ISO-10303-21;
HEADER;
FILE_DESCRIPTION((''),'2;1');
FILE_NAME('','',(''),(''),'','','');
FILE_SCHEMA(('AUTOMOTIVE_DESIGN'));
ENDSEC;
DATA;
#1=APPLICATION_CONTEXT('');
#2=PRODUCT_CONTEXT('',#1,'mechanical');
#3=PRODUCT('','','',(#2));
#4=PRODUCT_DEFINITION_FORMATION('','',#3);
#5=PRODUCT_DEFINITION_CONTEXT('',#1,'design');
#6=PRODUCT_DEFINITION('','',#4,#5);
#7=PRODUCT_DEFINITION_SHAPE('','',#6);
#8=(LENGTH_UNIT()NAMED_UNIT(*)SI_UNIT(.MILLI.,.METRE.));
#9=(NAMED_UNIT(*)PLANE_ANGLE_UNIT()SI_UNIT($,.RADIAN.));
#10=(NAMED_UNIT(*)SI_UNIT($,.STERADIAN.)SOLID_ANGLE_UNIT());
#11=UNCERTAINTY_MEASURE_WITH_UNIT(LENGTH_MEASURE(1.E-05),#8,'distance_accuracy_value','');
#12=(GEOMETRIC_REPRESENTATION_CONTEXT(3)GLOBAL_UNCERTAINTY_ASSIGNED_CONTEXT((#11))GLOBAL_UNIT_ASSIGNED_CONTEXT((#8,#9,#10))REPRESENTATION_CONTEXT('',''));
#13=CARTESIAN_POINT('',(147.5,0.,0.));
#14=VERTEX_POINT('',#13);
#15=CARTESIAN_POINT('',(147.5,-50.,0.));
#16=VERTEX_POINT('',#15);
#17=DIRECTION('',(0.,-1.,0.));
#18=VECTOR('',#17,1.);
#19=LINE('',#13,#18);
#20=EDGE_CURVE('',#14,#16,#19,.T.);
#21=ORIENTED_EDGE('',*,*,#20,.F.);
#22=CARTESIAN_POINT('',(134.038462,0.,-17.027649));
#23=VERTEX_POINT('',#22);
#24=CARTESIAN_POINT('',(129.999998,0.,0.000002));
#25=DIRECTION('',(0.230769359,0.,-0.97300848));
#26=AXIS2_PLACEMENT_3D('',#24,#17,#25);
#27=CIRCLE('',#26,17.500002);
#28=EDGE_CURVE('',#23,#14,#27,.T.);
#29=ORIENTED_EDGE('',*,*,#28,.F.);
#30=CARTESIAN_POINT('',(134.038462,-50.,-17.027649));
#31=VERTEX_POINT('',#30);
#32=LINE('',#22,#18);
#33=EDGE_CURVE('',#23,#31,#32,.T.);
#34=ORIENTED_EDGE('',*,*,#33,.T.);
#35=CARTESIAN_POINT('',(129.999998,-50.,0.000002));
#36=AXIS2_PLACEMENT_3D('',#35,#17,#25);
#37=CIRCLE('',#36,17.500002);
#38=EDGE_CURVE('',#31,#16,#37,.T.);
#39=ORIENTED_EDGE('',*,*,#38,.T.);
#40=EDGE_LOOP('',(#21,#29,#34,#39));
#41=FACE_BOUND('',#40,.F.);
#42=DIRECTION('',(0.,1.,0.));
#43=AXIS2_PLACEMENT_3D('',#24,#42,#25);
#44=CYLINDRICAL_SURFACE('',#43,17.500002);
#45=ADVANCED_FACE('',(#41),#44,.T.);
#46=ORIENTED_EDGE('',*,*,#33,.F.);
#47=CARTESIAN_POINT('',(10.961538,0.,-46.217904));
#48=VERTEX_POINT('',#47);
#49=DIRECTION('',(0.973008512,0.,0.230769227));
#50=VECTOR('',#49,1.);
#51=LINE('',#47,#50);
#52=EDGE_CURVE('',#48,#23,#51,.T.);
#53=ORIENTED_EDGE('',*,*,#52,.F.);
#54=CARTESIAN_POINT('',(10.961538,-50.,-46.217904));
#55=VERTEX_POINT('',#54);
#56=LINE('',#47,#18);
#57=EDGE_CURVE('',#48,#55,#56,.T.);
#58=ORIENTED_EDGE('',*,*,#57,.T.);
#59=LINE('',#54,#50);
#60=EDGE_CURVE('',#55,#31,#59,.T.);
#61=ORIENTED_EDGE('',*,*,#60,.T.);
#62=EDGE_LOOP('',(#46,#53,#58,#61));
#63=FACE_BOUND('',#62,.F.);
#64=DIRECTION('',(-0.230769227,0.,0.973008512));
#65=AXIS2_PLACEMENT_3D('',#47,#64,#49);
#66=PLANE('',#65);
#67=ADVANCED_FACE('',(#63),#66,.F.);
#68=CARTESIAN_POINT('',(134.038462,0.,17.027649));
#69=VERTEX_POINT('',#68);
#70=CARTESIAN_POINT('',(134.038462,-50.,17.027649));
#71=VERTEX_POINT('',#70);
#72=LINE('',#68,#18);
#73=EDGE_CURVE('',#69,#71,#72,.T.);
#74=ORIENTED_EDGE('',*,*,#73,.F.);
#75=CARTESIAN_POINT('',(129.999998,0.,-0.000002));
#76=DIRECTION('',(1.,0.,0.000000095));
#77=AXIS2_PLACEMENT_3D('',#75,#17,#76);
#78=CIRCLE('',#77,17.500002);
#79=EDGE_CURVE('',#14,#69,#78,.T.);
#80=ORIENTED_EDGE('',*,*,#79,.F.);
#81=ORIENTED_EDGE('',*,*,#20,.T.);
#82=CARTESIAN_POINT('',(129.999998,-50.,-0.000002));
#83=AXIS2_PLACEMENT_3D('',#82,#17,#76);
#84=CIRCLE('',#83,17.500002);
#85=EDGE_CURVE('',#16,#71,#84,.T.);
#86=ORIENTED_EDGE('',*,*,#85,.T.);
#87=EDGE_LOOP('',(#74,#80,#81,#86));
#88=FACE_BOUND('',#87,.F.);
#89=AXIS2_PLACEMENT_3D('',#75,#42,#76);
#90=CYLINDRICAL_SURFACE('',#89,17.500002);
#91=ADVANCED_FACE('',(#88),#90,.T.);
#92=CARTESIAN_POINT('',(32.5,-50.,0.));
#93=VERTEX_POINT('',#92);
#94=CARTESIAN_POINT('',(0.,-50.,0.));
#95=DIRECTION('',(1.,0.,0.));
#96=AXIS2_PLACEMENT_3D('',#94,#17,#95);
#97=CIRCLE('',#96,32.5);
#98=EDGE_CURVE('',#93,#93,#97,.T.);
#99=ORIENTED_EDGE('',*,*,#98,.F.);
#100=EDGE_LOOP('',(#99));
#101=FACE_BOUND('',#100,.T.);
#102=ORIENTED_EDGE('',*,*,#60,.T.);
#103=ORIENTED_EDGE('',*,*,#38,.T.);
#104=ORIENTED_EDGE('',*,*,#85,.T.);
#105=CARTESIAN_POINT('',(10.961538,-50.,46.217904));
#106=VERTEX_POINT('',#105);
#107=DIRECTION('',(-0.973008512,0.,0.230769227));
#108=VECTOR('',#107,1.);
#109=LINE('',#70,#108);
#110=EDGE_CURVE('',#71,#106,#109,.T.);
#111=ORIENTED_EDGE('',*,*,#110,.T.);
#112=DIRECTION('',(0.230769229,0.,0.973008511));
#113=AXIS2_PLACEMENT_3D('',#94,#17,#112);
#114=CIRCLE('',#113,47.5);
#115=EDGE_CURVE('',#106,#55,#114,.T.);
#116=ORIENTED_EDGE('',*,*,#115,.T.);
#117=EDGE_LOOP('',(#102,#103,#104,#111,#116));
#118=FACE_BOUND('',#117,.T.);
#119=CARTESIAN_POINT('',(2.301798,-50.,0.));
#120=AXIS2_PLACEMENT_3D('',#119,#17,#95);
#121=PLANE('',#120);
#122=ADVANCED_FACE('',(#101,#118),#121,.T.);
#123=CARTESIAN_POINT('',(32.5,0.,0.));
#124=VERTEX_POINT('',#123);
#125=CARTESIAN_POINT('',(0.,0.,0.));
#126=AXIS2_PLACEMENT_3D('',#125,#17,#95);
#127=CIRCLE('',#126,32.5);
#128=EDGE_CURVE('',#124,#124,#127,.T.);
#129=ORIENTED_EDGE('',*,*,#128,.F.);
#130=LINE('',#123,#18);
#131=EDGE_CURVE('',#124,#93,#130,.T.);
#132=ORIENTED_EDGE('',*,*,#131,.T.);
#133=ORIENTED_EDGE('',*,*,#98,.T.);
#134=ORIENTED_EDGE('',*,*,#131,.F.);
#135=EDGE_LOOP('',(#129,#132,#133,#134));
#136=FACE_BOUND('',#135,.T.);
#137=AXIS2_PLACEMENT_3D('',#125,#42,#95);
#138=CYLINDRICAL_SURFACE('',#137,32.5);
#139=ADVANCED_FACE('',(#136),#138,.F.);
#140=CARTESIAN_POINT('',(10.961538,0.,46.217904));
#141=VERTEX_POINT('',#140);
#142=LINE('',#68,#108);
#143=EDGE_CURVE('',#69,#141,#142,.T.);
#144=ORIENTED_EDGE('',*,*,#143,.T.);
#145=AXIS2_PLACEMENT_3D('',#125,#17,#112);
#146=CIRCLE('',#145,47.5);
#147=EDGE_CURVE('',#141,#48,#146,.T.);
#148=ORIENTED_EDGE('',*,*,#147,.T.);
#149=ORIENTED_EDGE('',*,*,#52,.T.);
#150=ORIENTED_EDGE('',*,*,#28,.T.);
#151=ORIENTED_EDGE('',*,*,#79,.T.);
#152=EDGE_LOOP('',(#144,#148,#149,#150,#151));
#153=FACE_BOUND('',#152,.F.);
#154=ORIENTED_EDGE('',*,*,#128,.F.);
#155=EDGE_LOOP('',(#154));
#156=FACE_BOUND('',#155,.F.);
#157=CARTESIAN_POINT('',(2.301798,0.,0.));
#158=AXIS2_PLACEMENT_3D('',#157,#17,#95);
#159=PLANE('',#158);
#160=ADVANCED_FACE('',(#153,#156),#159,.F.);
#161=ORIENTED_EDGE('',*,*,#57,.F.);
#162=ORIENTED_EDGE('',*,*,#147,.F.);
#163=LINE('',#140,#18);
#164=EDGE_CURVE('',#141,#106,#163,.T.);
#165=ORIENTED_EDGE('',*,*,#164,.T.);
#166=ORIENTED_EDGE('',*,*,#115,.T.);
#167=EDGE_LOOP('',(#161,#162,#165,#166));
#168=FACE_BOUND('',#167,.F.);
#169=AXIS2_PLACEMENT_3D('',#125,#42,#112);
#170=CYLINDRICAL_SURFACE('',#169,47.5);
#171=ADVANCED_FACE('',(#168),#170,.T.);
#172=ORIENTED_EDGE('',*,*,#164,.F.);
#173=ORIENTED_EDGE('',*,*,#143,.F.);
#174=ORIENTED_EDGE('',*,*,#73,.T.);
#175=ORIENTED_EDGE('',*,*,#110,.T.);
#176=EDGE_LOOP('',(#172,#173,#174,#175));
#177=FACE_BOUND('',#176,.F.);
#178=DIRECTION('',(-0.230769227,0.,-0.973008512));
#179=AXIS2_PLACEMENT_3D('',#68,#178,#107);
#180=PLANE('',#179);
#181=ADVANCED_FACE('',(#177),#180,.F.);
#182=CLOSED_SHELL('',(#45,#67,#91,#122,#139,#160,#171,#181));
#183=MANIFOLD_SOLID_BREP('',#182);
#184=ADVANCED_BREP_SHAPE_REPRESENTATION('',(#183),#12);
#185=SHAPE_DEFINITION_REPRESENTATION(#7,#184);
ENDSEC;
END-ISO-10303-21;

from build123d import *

# Parameters (mm, degrees)
F0_R     = 32.5
F1_DEPTH = 50


with BuildPart() as f1:
    # F0 (on Front) → F1 (new body)
    with BuildSketch(Plane.XZ):
        with BuildLine():
            ThreePointArc((10.961538, -46.217904), (37.262066, -29.458249), (47.5, 0))
            ThreePointArc((47.5, 0), (37.262066, 29.458249), (10.961538, 46.217904))
            ThreePointArc((10.961538, 46.217904), (-47.5, 0), (10.961538, -46.217904))
        make_face()
        Circle(F0_R, mode=Mode.SUBTRACT)
        with BuildLine():
            ThreePointArc((10.961538, 46.217904), (37.262066, 29.458249), (47.5, 0))
            ThreePointArc((47.5, 0), (37.262066, -29.458249), (10.961538, -46.217904))
            Line((10.961538, -46.217904), (134.038462, -17.027649))
            ThreePointArc((134.038462, -17.027649), (112.5, 0), (134.038462, 17.027649))
            Line((134.038462, 17.027649), (10.961538, 46.217904))
        make_face()
        with BuildLine():
            ThreePointArc((147.5, 0), (143.728129, 10.853039), (134.038462, 17.027649))
            ThreePointArc((134.038462, 17.027649), (112.5, 0), (134.038462, -17.027649))
            ThreePointArc((134.038462, -17.027649), (143.728129, -10.853039), (147.5, 0))
        make_face()
    extrude(amount=F1_DEPTH)


solid = f1.part
